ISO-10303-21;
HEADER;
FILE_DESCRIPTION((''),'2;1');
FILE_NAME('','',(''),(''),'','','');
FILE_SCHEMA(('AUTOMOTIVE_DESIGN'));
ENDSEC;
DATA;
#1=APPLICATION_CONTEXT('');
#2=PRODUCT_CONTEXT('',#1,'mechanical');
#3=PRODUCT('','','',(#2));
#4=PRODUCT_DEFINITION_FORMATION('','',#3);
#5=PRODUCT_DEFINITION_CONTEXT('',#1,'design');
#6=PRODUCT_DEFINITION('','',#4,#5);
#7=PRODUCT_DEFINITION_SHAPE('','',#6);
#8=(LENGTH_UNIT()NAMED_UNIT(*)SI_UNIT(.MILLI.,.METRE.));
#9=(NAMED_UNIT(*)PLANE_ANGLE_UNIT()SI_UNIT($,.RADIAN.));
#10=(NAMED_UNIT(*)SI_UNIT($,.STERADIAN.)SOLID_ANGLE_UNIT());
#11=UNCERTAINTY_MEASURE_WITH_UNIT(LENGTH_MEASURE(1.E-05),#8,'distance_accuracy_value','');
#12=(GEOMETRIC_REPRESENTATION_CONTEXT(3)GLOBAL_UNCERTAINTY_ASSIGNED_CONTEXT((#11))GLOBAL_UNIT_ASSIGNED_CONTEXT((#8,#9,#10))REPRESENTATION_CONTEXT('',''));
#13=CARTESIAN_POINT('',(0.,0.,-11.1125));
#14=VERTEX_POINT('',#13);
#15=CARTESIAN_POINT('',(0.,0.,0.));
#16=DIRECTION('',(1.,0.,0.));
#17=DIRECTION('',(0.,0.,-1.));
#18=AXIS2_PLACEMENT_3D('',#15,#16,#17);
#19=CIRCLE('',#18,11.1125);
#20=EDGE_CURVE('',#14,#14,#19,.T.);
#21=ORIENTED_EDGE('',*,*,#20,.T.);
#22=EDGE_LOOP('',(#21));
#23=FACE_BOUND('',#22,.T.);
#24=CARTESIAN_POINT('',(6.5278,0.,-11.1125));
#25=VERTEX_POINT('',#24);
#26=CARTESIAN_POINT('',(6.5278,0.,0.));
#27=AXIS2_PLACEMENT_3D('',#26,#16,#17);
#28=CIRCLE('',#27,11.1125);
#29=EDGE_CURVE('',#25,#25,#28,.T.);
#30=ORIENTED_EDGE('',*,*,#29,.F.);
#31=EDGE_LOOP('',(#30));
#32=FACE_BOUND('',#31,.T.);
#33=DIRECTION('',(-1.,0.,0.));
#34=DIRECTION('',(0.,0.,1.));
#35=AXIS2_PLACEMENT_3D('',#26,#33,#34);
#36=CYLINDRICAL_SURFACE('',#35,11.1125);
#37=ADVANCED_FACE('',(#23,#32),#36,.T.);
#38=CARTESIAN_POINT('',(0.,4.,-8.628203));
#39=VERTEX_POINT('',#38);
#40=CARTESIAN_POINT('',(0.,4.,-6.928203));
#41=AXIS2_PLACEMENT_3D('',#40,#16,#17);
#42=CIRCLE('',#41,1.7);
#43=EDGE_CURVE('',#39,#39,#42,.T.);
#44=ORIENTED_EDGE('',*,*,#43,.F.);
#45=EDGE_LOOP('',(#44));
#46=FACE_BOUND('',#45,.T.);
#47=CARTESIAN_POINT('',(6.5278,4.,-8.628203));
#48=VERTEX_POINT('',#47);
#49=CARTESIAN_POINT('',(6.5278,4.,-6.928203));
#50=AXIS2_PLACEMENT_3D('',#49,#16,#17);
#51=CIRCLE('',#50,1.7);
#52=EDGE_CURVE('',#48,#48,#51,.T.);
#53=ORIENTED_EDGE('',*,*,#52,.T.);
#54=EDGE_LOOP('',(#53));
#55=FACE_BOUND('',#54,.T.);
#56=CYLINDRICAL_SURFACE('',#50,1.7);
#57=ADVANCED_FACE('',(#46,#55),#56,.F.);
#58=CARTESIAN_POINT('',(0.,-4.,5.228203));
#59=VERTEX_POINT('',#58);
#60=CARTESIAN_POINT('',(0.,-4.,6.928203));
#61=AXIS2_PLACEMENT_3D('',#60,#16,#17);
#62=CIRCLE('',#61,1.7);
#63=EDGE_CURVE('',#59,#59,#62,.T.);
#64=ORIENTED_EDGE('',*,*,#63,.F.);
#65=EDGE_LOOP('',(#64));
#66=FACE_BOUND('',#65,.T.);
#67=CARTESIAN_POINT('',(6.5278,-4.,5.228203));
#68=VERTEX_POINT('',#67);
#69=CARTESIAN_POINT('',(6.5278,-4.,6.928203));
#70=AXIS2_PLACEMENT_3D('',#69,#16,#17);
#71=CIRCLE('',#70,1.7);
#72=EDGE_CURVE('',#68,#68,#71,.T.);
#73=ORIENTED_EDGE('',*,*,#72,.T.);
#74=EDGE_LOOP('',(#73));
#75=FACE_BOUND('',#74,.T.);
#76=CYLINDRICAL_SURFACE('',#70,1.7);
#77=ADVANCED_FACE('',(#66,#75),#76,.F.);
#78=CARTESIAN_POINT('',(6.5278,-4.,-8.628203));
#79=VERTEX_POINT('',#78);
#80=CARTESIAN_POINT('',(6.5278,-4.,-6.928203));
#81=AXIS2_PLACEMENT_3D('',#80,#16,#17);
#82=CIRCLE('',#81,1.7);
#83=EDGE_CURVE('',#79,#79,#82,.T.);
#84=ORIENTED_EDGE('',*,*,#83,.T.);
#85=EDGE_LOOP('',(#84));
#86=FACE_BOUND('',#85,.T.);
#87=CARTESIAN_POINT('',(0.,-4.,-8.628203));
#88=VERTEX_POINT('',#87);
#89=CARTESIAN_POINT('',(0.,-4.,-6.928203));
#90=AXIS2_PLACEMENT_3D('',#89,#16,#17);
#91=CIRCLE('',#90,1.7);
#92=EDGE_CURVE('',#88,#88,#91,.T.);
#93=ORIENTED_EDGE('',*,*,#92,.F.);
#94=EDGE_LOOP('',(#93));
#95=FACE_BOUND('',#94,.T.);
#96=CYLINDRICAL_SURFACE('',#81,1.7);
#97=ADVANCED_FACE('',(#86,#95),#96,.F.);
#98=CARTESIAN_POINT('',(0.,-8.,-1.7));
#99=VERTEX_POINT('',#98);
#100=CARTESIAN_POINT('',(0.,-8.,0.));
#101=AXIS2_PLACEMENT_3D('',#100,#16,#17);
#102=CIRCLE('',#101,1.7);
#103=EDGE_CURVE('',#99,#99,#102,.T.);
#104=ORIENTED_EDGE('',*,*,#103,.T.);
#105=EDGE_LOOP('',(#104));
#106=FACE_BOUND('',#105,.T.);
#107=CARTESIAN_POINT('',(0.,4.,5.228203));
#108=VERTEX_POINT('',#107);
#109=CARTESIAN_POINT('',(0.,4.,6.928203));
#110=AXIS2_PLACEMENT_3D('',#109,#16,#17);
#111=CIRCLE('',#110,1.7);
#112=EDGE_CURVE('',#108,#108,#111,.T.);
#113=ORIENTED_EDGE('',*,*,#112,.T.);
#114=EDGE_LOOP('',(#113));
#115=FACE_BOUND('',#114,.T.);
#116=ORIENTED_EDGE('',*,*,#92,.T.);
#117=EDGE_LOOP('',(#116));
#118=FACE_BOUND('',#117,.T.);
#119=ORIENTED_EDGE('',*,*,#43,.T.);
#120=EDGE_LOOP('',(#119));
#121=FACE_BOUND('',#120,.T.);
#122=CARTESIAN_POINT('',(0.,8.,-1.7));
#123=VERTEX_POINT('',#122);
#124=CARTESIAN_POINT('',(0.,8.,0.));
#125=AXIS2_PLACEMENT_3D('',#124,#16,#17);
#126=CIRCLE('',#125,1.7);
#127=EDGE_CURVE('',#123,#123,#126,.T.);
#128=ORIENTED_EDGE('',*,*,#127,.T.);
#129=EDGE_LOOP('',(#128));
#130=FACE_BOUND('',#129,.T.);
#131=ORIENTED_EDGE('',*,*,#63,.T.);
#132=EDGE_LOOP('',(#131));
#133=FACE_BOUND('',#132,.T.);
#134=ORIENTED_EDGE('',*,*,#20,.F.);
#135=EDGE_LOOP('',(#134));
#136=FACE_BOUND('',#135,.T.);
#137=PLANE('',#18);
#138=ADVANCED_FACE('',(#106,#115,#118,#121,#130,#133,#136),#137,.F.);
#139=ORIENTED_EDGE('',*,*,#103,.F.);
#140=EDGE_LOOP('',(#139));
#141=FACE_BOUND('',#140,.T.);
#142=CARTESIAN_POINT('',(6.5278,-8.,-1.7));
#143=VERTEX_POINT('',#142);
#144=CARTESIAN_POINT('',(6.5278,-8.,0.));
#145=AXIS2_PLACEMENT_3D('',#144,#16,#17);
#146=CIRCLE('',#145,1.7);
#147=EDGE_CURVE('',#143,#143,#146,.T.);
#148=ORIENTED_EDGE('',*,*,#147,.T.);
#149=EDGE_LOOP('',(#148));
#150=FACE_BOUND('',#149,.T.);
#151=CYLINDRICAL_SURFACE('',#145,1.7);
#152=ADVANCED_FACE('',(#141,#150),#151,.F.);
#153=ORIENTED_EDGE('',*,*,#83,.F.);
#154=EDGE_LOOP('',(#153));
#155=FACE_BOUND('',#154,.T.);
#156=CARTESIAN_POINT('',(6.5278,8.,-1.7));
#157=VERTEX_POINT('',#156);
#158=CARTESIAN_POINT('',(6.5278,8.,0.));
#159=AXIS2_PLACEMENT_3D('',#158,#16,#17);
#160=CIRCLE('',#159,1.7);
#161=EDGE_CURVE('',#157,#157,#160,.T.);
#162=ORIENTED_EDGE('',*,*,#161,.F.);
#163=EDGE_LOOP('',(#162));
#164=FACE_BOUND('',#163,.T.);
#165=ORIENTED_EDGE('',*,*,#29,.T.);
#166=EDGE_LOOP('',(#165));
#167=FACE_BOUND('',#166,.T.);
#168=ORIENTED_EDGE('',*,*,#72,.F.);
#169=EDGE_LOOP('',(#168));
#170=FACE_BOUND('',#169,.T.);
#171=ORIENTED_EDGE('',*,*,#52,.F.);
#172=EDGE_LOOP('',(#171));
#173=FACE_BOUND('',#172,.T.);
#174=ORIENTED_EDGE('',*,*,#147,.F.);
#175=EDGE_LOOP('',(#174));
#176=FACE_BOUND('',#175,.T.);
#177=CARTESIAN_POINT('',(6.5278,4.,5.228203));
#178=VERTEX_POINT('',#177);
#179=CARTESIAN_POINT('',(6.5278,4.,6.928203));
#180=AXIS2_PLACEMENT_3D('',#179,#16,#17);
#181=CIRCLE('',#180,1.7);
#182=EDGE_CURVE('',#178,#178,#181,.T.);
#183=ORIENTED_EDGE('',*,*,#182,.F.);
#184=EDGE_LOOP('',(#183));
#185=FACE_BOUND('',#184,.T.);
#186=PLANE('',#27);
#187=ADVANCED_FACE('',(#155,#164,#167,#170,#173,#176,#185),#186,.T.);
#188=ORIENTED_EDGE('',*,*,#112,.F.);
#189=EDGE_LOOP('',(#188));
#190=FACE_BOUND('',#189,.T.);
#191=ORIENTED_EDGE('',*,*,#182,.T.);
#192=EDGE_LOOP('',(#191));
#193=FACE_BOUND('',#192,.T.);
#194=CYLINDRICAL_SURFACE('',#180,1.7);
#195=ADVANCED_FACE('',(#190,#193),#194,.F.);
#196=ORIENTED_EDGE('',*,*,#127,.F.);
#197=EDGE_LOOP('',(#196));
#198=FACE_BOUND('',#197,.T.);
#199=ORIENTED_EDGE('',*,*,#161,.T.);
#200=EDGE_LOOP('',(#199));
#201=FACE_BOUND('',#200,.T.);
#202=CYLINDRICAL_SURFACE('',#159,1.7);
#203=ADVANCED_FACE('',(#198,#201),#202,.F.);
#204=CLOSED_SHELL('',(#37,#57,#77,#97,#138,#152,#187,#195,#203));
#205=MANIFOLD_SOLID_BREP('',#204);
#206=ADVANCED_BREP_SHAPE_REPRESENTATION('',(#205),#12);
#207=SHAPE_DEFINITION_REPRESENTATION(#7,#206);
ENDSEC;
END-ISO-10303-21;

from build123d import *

# Parameters (mm, degrees)
SKETCH1_R            = 11.1125
BOSS_EXTRUDE1_DEPTH  = 6.5278
M3_CLEARANCE_HOLE1_D = 3.4


with BuildPart() as part:
    # Sketch1 → Boss-Extrude1 (new body)
    with BuildSketch(Plane(origin=(0, 0, 0), x_dir=(0, 0, -1), z_dir=(1, 0, 0))):
        Circle(SKETCH1_R)
    extrude(amount=BOSS_EXTRUDE1_DEPTH)

    # M3 Clearance Hole1 (through all)
    with Locations(Plane(origin=(6.5278, 0, 0), x_dir=(0, 0, -1), z_dir=(1, 0, 0))):
        with Locations((0, 8), (6.92820323, 4), (6.92820323, -4), (0, -8), (-6.92820323, -4), (-6.92820323, 4)):
            Hole(M3_CLEARANCE_HOLE1_D / 2)


solid = part.part
